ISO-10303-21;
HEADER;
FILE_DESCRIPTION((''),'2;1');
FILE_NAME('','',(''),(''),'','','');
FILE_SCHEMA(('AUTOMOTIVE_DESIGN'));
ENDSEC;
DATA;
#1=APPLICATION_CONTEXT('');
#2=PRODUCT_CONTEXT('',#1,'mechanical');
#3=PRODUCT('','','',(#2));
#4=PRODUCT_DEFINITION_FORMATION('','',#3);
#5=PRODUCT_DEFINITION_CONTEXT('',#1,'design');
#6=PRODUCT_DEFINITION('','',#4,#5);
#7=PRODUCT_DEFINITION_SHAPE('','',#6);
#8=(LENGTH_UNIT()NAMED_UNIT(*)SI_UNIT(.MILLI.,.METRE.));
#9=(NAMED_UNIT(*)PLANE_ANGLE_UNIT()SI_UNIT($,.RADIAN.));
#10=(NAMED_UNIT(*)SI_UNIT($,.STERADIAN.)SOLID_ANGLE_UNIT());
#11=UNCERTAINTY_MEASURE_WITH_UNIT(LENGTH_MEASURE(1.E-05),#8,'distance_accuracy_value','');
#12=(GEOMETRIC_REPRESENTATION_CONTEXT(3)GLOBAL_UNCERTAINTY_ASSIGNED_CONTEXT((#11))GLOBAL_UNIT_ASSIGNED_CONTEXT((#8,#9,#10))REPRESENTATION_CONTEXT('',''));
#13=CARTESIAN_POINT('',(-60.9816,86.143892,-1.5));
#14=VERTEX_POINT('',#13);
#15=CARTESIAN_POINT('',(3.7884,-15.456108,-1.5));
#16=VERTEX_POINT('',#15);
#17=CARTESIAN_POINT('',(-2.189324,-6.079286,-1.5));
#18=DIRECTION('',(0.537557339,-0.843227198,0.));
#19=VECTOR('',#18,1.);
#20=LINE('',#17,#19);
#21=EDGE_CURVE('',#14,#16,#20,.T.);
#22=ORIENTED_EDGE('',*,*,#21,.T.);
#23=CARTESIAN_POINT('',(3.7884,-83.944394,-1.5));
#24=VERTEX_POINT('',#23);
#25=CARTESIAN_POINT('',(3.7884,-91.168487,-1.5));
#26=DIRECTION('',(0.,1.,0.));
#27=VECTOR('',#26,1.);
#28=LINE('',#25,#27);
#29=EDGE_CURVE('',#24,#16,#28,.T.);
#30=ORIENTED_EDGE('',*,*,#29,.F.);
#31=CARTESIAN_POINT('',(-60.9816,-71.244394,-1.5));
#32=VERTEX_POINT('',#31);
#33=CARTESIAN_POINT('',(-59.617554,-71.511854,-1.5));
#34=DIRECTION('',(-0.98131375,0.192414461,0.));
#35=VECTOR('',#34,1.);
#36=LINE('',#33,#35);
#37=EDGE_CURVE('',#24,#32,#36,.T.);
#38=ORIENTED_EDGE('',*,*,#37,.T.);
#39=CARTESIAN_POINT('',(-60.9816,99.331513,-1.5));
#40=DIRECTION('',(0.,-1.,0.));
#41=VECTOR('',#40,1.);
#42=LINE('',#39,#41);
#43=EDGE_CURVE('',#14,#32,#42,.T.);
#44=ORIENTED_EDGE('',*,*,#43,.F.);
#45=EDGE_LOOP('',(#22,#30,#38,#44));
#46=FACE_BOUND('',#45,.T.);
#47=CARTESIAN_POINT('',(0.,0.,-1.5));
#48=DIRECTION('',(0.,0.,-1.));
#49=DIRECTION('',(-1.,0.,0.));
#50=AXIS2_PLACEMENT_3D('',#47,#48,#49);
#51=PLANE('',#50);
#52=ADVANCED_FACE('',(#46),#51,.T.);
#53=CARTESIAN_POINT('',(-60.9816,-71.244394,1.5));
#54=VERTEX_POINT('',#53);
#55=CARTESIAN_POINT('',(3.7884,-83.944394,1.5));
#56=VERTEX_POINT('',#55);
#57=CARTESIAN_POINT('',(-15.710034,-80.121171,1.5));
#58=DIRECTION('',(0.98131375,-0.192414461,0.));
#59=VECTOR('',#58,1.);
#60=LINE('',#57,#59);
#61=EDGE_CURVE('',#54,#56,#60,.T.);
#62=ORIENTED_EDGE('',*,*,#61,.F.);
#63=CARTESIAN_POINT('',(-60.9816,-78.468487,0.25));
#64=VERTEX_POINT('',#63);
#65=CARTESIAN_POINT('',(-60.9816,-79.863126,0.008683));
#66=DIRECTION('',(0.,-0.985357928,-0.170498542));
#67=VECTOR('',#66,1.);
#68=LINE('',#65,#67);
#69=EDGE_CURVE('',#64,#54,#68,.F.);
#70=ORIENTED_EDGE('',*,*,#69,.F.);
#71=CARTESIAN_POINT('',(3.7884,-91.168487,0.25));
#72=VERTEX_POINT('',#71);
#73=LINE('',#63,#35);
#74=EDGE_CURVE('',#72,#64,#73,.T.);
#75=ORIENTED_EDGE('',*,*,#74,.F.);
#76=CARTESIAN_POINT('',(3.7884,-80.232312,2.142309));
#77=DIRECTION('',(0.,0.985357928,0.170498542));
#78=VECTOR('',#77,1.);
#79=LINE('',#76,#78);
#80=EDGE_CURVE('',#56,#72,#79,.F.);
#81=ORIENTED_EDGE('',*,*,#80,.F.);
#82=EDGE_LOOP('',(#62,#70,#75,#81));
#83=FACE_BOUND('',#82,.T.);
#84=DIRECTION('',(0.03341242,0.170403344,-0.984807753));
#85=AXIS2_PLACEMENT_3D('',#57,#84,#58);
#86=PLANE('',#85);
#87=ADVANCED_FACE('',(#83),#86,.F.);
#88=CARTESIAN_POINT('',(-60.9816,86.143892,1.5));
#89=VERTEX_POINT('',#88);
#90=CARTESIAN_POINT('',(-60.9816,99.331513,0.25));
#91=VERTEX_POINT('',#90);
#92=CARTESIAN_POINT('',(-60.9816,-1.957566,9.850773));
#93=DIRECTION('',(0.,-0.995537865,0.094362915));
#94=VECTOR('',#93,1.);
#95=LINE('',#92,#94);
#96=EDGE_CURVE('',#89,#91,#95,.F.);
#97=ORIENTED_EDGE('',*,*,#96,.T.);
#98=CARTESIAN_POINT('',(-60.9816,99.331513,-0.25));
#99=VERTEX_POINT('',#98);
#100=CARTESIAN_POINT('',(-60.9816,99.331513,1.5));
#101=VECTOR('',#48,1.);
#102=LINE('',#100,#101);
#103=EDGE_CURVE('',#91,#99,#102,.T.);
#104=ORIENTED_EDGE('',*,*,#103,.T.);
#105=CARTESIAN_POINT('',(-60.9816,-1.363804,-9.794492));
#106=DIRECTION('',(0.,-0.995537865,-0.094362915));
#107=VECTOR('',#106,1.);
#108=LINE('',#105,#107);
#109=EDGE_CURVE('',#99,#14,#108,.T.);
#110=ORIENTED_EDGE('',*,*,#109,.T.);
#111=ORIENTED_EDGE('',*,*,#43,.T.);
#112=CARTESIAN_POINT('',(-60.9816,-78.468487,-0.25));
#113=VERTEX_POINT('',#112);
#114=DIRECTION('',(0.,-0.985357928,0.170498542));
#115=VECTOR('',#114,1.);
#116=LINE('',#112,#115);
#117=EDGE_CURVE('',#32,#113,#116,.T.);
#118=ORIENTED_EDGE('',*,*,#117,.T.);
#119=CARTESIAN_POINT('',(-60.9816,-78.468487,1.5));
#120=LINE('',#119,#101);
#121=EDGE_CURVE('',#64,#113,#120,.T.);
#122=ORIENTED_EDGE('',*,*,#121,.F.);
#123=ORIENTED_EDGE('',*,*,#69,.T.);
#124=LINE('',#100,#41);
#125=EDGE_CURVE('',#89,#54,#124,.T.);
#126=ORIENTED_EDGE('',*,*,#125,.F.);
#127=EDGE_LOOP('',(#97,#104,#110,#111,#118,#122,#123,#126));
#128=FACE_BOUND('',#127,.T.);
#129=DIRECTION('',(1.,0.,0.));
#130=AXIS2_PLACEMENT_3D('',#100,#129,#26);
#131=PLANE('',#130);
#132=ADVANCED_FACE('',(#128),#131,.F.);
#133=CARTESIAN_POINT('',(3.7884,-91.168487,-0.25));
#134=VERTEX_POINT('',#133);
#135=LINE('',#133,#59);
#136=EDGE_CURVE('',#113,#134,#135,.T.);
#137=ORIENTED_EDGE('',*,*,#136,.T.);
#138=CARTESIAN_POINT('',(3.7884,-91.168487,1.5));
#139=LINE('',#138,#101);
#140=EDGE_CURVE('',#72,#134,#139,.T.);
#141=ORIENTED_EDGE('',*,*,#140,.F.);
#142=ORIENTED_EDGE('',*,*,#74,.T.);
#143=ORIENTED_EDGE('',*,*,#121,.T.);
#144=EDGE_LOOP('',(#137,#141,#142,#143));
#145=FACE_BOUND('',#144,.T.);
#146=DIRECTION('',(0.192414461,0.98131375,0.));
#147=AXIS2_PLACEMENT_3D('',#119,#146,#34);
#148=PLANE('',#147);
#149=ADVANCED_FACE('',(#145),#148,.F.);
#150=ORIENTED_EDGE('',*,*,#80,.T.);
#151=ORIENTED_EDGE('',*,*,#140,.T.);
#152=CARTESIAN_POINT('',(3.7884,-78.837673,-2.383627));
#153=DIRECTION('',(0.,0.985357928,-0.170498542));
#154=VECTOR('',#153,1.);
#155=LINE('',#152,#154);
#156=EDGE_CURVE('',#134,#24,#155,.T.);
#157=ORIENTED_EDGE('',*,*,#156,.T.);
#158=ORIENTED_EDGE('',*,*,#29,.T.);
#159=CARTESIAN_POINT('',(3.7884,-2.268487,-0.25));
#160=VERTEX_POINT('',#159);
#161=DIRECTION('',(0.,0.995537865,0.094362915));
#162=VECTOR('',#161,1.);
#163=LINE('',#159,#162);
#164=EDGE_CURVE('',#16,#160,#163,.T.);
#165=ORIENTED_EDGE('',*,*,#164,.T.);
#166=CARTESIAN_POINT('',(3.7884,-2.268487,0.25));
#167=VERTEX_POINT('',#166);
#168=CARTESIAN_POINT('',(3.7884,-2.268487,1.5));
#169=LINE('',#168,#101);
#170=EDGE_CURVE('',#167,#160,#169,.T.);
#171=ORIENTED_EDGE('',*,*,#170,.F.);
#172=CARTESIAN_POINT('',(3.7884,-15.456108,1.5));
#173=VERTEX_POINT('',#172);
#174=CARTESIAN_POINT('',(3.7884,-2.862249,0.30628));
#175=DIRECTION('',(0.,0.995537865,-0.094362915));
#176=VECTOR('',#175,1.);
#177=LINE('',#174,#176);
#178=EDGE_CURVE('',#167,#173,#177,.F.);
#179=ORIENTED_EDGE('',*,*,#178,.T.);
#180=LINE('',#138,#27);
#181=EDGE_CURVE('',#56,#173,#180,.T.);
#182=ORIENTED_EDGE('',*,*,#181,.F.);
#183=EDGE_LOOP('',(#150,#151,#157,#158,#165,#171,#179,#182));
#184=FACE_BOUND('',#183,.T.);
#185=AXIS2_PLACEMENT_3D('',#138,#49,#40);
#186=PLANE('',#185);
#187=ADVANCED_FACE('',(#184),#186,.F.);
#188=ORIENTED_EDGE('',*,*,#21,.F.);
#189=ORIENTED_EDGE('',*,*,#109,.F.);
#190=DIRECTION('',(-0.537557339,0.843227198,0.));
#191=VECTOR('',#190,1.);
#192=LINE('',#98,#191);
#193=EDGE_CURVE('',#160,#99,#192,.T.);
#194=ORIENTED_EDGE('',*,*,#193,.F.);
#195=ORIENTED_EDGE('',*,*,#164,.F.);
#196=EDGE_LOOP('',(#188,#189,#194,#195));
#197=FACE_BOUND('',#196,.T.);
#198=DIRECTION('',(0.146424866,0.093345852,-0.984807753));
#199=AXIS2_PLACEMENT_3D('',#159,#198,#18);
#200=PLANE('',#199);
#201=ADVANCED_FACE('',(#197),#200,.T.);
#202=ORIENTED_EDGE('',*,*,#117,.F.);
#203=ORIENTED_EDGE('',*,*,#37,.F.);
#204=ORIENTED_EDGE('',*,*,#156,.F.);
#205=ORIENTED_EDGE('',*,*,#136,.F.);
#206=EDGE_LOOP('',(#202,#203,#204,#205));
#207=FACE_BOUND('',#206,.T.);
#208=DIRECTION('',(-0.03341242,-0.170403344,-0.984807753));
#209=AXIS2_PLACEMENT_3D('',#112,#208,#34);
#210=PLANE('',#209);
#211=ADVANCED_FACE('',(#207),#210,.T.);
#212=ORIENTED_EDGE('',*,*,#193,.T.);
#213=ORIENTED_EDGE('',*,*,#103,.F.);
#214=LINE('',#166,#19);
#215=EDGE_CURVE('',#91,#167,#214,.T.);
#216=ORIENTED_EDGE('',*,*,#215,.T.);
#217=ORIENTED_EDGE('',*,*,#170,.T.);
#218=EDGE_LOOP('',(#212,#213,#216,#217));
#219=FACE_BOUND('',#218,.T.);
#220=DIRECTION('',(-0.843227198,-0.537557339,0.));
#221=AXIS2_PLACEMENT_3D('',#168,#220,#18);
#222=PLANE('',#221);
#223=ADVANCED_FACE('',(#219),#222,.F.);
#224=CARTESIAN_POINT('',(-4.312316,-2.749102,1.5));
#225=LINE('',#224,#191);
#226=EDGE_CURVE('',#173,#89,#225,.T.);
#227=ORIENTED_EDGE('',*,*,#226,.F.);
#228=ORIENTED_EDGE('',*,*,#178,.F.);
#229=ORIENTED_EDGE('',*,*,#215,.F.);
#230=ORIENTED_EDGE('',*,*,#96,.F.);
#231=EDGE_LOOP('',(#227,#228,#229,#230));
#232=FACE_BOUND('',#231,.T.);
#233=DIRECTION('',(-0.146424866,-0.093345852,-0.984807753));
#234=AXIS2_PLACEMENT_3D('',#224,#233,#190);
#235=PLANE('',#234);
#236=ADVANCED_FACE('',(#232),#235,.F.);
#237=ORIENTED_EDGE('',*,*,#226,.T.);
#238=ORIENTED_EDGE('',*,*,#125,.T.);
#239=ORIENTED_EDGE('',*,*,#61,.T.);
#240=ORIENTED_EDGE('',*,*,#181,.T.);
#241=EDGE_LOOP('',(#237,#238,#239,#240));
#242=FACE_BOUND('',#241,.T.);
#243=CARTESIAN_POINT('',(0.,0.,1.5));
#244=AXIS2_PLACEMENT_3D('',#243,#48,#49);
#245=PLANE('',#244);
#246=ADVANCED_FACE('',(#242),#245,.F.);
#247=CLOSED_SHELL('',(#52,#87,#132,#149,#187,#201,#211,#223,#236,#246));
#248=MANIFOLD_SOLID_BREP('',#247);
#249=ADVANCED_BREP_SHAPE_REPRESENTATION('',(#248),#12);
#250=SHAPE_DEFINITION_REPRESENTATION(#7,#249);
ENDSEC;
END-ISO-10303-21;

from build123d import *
from OCP.BRepFilletAPI import BRepFilletAPI_MakeChamfer

# Parameters (mm, degrees)
BOSS_EXTRUDE1_DEPTH = 1.5
CHAMFER1_SIZE       = 1.25
CHAMFER1_SIZE2      = 7.089102275


with BuildPart() as part:
    # Sketch1 → Boss-Extrude1 (new, symmetric)
    with BuildSketch(Plane.XY):
        Polygon((-60.98159975, 99.331512683), (-60.98159975, -78.468487317), (3.78840025, -91.168487317), (3.78840025, -2.268487317), align=None)
    extrude(amount=BOSS_EXTRUDE1_DEPTH, both=True)

    # Chamfer1: one chamfer whose edges measure the first distance from different faces: ONE call of the kernel's chamfer builder (chamfer() names one face for all edges)
    chamfer1_edges_1 = [part.edges().sort_by_distance(p)[0] for p in [
        (-28.59659975, -84.818487317, 1.5),
        (-28.59659975, -84.818487317, -1.5),
    ]]
    chamfer1_side_1 = [part.faces().sort_by_distance(p)[0] for p in [
        (-28.59659975, -84.818487317, 0),
    ]]
    chamfer1_edges_2 = [part.edges().sort_by_distance(p)[0] for p in [
        (-28.59659975, 48.531512683, 1.5),
        (-28.59659975, 48.531512683, -1.5),
    ]]
    chamfer1_side_2 = [part.faces().sort_by_distance(p)[0] for p in [
        (-28.59659975, 48.531512683, 0),
    ]]
    chamfer1 = BRepFilletAPI_MakeChamfer(part.part.solid().wrapped)
    for e in chamfer1_edges_1:
        chamfer1.Add(CHAMFER1_SIZE, CHAMFER1_SIZE2, e.wrapped, chamfer1_side_1[0].wrapped)  # the first distance lies on this face
    for e in chamfer1_edges_2:
        chamfer1.Add(CHAMFER1_SIZE, CHAMFER1_SIZE2, e.wrapped, chamfer1_side_2[0].wrapped)  # the first distance lies on this face
    add(Compound.cast(chamfer1.Shape()), mode=Mode.REPLACE)


solid = part.part
